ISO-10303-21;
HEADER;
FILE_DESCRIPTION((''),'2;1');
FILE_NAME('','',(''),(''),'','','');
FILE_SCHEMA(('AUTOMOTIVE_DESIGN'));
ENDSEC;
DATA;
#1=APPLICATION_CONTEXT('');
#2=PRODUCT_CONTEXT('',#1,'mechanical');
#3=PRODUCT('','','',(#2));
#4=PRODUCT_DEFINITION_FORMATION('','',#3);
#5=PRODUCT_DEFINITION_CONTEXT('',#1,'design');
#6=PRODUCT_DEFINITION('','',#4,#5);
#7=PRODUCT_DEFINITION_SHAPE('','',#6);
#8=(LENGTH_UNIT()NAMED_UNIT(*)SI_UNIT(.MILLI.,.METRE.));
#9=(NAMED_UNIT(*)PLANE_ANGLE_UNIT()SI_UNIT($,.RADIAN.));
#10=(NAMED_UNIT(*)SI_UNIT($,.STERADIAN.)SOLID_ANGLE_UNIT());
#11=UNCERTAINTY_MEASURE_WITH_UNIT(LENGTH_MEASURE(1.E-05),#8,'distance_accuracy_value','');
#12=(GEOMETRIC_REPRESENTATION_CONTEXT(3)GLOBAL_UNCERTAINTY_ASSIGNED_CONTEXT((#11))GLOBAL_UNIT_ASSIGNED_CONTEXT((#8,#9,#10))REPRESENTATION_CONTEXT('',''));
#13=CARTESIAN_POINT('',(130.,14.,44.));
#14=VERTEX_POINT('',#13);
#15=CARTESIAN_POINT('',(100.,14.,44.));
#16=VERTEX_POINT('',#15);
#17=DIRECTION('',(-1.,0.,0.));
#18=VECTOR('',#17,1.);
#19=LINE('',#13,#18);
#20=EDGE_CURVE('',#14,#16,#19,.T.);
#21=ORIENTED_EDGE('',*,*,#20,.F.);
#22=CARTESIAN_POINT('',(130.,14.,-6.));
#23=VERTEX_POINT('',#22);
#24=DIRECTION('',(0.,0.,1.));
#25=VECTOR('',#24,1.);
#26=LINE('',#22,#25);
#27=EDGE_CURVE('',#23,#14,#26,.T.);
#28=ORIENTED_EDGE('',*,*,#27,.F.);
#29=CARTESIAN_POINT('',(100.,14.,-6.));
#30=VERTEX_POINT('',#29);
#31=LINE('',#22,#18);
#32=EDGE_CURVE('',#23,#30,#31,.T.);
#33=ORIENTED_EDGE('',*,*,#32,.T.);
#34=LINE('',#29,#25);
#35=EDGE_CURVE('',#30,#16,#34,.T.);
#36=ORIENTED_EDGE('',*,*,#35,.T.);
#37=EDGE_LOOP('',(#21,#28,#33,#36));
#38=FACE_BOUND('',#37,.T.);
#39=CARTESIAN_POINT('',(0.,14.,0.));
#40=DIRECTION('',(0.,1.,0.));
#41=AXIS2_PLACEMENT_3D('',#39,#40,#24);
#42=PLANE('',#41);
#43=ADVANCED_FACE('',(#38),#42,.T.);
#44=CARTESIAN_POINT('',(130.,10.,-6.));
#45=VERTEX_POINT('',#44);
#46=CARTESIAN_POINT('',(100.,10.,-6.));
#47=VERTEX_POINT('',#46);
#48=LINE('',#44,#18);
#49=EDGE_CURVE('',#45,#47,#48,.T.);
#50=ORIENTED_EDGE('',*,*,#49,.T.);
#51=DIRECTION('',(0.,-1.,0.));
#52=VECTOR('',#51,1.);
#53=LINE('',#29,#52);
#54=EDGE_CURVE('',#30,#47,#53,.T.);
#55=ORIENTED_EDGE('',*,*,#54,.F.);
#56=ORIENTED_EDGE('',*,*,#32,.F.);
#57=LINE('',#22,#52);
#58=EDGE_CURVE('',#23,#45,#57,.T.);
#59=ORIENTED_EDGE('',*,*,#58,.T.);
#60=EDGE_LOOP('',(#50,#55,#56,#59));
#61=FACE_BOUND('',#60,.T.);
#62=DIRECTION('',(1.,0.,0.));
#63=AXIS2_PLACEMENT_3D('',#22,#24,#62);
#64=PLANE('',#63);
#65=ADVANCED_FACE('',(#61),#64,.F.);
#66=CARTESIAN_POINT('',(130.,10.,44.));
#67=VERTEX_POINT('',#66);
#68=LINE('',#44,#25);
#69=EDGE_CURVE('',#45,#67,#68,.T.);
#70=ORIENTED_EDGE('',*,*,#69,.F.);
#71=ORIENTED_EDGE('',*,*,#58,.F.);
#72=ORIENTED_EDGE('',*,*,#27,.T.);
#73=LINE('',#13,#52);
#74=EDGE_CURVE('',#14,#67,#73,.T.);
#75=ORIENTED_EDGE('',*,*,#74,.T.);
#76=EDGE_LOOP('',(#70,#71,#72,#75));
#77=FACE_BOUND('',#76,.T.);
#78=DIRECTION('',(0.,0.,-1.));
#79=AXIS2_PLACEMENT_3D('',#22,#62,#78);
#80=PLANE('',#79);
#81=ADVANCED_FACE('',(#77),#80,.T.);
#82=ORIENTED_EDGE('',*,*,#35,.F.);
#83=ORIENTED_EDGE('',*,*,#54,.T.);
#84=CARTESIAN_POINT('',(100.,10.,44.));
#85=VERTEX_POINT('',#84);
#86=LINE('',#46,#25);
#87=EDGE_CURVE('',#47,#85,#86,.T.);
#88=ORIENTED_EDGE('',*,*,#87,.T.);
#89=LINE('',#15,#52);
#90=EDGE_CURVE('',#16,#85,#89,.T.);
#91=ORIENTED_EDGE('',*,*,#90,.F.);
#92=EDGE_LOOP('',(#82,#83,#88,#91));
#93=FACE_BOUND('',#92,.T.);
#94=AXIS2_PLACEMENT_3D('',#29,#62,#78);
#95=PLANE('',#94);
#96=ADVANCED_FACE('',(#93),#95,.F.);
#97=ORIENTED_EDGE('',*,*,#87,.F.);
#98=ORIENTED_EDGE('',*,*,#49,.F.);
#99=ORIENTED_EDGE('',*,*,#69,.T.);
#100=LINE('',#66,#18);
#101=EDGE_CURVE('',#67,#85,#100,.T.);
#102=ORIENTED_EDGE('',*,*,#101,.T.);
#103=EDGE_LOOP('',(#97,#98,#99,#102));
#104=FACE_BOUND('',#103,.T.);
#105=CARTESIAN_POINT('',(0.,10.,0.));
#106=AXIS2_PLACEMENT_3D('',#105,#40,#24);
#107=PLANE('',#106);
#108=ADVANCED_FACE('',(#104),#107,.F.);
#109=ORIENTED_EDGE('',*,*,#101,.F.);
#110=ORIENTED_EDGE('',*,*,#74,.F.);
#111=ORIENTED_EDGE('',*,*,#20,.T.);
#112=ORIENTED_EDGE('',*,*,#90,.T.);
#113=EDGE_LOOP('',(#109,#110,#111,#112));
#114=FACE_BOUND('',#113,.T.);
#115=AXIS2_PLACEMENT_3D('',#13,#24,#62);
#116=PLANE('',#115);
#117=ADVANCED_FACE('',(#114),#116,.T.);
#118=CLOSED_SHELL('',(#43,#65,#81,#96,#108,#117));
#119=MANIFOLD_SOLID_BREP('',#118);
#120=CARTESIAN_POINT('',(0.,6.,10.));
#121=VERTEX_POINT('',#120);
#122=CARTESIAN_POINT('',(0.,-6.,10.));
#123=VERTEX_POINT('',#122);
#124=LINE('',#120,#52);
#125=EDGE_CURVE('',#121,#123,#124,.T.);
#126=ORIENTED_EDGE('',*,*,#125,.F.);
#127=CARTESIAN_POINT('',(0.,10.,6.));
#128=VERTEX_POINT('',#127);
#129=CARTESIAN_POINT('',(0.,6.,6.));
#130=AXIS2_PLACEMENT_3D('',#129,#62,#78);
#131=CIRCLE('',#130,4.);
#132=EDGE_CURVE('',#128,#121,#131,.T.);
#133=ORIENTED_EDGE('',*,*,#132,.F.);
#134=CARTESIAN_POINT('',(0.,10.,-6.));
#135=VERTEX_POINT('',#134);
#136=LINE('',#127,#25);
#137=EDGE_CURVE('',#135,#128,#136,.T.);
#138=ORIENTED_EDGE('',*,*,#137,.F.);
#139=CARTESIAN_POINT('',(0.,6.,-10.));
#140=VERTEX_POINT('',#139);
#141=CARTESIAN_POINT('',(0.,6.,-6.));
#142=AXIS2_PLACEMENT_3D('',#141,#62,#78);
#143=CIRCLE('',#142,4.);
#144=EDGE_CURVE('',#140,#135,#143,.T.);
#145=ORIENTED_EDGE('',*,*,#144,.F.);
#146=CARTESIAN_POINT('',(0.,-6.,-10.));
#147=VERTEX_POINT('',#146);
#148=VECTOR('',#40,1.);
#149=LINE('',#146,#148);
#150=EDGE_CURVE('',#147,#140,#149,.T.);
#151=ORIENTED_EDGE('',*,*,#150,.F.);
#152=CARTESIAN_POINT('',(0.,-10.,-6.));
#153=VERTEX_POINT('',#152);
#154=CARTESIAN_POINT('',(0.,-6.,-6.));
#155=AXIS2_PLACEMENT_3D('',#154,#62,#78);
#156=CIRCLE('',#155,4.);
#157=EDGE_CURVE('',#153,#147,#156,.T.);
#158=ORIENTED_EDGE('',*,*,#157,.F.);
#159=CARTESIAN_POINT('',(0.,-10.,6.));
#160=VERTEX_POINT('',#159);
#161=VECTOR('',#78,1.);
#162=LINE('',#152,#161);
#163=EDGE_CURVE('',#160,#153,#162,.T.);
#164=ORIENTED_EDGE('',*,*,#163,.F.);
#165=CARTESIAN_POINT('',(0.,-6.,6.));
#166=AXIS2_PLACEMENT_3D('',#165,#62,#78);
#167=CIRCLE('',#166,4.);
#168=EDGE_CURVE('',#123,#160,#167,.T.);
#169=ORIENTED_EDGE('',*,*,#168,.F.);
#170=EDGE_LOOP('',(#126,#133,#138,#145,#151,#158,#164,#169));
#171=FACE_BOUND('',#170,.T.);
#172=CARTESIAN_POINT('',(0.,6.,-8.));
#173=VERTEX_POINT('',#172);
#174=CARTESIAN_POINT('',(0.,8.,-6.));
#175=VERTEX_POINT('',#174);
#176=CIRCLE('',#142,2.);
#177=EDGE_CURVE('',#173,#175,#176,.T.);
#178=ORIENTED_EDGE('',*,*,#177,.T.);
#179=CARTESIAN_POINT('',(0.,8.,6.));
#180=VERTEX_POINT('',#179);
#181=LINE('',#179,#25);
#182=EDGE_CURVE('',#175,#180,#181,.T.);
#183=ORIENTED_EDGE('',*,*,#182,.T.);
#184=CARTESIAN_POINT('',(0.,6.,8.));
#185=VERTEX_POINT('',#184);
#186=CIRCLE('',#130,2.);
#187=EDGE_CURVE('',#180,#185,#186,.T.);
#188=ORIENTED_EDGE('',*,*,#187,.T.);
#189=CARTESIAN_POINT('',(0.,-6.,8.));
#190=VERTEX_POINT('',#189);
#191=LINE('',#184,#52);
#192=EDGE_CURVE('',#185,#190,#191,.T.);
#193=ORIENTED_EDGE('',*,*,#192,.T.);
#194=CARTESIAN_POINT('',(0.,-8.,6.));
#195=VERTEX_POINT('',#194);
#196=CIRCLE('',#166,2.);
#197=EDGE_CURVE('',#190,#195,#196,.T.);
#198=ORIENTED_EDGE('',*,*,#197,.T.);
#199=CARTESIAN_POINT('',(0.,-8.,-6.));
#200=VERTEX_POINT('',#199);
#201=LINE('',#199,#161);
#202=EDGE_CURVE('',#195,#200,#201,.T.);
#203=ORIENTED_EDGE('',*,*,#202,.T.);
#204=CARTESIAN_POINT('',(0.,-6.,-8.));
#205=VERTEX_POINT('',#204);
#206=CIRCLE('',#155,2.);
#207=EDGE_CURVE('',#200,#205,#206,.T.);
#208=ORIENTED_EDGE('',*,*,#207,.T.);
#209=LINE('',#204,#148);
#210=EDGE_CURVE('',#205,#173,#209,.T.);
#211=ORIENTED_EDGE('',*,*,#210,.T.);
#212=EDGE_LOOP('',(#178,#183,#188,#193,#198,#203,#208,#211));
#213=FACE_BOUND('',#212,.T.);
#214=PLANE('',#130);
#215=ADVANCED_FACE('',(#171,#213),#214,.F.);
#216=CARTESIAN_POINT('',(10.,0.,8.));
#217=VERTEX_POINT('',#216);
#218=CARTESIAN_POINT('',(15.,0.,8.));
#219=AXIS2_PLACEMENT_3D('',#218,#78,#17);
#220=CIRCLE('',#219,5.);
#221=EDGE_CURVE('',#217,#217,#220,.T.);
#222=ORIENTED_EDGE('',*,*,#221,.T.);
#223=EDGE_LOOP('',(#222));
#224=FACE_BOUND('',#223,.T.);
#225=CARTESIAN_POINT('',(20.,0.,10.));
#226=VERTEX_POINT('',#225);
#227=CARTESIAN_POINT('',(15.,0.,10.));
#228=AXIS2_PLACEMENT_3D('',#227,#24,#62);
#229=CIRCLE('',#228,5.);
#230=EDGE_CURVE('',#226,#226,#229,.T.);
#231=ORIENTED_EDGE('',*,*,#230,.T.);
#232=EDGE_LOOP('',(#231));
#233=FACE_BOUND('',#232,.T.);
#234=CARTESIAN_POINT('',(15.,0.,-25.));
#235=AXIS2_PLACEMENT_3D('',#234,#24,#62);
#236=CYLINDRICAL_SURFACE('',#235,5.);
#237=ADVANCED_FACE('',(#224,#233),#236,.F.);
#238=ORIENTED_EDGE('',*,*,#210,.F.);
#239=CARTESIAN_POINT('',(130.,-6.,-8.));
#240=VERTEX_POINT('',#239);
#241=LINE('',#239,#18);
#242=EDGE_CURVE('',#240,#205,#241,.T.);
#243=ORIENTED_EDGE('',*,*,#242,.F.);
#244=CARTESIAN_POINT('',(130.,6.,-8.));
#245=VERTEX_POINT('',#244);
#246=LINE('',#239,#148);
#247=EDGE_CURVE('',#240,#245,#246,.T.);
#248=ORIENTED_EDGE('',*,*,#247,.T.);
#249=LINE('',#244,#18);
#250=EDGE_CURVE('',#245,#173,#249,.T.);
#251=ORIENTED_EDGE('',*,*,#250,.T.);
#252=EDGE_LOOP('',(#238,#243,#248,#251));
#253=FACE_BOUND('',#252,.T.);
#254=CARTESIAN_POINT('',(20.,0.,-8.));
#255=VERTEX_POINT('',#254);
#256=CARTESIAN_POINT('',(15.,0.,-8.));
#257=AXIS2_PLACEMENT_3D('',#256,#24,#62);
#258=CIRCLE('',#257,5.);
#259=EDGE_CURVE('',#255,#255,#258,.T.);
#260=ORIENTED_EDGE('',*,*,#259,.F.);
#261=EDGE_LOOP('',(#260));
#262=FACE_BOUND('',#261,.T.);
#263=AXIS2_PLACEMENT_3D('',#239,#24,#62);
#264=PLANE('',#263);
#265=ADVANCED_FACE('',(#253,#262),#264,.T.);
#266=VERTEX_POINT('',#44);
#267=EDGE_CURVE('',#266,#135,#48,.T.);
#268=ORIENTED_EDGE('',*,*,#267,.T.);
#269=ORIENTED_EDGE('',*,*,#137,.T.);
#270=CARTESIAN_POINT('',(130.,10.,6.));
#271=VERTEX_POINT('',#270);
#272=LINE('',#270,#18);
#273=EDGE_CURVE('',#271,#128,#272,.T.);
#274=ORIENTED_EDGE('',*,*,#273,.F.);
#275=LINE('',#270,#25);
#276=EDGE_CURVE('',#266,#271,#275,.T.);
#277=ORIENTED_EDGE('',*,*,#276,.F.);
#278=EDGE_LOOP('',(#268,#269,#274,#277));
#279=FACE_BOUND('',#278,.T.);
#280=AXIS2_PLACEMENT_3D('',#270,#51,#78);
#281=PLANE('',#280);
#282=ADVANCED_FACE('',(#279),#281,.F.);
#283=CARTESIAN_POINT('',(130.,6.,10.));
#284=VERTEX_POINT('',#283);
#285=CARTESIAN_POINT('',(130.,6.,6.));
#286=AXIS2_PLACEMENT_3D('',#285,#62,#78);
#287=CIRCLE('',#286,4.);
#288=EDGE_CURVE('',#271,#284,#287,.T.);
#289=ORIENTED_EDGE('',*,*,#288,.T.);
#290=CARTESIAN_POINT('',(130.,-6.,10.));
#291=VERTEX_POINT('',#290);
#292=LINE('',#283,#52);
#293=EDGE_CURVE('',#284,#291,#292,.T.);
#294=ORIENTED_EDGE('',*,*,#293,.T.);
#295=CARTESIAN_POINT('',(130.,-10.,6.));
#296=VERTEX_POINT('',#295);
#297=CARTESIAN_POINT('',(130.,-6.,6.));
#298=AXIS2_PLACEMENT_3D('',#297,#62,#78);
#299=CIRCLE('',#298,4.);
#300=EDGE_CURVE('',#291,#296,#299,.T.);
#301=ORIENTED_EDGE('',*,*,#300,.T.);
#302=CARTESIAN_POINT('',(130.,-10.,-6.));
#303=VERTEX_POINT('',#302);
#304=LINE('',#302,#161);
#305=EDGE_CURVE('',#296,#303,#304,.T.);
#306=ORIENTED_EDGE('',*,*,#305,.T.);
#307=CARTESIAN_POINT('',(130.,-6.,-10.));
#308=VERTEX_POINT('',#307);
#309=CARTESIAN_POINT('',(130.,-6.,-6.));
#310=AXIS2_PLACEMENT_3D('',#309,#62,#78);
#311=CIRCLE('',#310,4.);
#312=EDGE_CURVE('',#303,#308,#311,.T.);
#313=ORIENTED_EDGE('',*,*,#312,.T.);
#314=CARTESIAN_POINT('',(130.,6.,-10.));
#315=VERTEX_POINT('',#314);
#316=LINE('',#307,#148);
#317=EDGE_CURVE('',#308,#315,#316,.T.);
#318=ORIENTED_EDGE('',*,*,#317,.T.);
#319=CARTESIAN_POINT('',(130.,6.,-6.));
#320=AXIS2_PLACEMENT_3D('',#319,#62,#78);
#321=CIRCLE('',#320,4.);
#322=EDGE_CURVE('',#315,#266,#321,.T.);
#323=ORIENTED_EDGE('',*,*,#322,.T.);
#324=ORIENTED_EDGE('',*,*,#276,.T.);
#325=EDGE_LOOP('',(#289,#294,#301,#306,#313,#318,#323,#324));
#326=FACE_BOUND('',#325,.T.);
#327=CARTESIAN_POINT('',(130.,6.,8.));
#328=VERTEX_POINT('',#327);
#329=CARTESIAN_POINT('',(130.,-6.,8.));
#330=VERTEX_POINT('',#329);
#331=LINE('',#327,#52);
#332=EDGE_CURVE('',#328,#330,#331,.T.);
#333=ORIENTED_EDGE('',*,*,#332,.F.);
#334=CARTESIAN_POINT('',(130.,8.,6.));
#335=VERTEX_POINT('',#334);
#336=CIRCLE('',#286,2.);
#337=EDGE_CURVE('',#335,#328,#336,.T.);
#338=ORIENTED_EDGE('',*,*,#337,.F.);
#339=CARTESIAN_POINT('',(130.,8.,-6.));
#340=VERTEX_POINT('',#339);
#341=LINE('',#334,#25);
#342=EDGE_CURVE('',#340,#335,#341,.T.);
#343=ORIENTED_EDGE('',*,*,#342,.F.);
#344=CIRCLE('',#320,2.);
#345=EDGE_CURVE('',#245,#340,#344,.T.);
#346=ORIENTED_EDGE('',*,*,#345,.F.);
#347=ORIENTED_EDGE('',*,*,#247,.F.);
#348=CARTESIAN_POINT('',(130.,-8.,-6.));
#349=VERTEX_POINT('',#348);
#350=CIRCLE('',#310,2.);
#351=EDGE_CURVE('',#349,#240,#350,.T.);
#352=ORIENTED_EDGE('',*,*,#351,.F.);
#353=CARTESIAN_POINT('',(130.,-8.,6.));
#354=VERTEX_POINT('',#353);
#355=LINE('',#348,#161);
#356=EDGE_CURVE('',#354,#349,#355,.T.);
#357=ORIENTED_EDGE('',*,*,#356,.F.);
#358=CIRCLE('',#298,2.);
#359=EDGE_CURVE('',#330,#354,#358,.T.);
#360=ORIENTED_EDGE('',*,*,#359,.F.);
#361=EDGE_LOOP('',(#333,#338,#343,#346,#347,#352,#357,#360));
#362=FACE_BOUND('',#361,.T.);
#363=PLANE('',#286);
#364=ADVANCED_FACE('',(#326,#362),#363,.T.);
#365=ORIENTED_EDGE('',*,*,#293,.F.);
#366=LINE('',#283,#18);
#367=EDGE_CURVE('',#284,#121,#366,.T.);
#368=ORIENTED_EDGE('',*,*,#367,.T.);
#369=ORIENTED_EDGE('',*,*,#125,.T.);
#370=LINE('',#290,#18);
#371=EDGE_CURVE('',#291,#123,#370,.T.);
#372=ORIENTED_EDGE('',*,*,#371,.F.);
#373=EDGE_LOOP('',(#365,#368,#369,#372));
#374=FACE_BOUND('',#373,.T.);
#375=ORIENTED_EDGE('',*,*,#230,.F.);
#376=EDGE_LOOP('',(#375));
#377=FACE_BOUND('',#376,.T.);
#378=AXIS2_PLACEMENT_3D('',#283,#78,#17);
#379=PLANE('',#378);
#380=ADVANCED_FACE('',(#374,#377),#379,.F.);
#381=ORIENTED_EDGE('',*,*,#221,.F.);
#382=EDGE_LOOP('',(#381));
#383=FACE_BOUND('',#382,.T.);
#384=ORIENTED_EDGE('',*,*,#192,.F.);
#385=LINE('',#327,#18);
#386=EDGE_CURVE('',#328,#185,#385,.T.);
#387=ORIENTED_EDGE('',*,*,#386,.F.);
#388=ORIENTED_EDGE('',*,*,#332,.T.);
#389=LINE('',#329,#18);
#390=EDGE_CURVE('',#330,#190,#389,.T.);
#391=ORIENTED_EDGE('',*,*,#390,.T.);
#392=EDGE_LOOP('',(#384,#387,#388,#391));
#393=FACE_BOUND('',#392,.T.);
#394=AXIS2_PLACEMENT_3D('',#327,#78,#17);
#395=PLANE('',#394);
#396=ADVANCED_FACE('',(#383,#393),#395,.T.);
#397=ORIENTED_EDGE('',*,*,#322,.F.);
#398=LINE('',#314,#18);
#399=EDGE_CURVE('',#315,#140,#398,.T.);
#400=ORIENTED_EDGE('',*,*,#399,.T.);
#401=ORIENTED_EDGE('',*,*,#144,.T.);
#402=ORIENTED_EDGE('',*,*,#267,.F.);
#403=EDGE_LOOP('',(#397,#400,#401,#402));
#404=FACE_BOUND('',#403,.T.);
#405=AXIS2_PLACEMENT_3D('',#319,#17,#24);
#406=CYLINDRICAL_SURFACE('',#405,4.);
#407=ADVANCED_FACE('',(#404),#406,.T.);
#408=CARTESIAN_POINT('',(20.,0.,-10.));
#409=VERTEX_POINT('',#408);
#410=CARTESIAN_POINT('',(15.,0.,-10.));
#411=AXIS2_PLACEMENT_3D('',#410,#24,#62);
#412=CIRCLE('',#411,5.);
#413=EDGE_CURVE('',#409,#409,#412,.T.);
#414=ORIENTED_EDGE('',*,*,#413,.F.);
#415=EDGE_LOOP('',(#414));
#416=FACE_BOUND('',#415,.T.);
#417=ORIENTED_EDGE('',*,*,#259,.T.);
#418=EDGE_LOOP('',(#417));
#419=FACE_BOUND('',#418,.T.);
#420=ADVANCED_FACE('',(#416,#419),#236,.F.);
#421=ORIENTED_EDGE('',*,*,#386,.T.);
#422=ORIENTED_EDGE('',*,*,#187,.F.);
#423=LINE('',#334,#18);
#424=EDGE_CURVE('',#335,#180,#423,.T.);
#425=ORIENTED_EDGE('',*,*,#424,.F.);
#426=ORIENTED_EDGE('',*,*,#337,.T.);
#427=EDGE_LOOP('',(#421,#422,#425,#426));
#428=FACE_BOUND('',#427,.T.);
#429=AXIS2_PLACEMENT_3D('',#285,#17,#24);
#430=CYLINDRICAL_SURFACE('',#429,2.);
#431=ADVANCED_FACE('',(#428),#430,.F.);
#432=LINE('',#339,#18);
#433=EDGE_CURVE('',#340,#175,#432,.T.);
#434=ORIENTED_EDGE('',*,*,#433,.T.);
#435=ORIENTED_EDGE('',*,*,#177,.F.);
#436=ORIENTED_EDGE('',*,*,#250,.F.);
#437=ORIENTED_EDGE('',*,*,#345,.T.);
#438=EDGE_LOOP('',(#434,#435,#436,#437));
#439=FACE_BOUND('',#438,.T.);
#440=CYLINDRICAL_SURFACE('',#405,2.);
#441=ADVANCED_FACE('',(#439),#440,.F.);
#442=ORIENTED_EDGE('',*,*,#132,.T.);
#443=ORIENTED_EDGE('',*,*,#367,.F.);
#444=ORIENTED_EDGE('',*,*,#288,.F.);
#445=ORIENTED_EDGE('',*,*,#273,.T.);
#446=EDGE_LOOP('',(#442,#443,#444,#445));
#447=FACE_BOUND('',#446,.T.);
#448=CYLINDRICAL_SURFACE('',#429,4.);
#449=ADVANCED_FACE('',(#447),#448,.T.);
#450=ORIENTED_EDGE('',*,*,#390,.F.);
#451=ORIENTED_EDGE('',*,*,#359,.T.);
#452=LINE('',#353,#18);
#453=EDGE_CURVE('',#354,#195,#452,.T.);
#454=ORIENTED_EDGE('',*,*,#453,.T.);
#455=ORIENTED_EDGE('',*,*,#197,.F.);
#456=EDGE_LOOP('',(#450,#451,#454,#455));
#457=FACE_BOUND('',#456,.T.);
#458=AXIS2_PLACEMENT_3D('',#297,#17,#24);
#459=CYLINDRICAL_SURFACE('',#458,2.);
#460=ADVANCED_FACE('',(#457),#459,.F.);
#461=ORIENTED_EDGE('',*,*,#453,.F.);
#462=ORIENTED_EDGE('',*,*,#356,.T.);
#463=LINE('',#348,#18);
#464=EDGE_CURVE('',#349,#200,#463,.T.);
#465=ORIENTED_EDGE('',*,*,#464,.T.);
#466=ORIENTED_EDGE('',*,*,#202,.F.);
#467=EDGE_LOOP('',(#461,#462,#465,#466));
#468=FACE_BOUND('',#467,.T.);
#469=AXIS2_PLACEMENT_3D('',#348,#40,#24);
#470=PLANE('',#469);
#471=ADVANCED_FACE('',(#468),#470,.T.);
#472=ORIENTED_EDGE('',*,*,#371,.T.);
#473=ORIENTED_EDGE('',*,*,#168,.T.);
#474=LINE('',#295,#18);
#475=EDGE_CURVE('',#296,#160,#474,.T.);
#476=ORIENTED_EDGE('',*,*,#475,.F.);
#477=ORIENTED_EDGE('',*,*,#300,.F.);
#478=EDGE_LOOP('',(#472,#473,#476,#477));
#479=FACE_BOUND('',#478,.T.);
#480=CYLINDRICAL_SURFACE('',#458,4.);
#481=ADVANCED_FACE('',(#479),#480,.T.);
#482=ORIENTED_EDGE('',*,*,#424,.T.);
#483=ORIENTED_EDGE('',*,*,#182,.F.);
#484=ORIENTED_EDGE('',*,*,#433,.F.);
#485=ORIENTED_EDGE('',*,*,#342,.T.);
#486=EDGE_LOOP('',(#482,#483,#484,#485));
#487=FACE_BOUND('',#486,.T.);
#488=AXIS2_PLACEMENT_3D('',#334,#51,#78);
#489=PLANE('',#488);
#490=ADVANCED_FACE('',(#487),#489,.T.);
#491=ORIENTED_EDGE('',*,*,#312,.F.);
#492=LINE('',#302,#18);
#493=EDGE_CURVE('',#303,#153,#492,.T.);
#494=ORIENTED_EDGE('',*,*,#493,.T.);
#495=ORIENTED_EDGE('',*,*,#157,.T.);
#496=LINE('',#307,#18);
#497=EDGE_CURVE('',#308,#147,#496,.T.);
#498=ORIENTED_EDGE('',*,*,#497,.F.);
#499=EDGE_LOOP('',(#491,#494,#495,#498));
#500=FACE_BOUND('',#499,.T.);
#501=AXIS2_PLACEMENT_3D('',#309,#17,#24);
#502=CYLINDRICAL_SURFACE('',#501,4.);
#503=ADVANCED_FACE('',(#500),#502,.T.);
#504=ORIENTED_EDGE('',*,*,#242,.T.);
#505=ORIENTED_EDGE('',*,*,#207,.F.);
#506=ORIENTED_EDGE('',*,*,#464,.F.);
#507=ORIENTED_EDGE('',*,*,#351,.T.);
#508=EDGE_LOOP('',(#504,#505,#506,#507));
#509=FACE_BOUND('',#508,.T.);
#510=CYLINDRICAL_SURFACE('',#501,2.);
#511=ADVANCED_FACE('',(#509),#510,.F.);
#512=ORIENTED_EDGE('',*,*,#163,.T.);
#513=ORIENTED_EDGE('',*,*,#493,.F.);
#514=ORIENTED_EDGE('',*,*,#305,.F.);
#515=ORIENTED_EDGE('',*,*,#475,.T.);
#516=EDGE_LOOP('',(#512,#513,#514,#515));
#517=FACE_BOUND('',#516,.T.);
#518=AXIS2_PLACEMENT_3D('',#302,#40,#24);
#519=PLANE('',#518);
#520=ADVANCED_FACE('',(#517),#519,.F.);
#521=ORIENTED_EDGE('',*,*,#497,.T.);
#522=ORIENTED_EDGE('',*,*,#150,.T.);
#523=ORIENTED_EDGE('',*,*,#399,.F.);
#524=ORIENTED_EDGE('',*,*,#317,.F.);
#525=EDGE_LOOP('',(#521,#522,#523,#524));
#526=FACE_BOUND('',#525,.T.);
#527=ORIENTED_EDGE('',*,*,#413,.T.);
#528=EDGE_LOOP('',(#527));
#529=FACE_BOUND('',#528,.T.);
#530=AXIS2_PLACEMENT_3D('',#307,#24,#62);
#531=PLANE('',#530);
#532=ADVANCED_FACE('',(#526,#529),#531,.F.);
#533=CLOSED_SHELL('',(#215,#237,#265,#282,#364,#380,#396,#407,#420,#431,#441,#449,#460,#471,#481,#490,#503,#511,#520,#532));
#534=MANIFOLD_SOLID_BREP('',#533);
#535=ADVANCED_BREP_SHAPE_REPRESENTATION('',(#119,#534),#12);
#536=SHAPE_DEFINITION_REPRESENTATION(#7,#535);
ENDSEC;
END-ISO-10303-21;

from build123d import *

# Parameters (mm, degrees)
STRUCTURAL_MEMBER1_DEPTH = 130
SKETCH12_R               = 5
CUT_EXTRUDE1_DEPTH       = 35
SKETCH13_W               = 30
SKETCH13_H               = 50
BOSS_EXTRUDE1_DEPTH      = 4


with BuildPart() as part:
    # Sketch11 → Structural Member1 (new body)
    with BuildSketch(Plane.YZ):
        with BuildLine():
            Line((-6, -10), (6, -10))
            ThreePointArc((6, -10), (8.828427125, -8.828427125), (10, -6))
            Line((10, -6), (10, 6))
            ThreePointArc((10, 6), (8.828427125, 8.828427125), (6, 10))
            Line((6, 10), (-6, 10))
            ThreePointArc((-6, 10), (-8.828427125, 8.828427125), (-10, 6))
            Line((-10, 6), (-10, -6))
            ThreePointArc((-10, -6), (-8.828427125, -8.828427125), (-6, -10))
        make_face()
        with BuildLine():
            Line((-6, -8), (6, -8))
            ThreePointArc((6, -8), (7.414213562, -7.414213562), (8, -6))
            Line((8, -6), (8, 6))
            ThreePointArc((8, 6), (7.414213562, 7.414213562), (6, 8))
            Line((6, 8), (-6, 8))
            ThreePointArc((-6, 8), (-7.414213562, 7.414213562), (-8, 6))
            Line((-8, 6), (-8, -6))
            ThreePointArc((-8, -6), (-7.414213562, -7.414213562), (-6, -8))
        make_face(mode=Mode.SUBTRACT)
    extrude(amount=STRUCTURAL_MEMBER1_DEPTH)

    # Sketch12 → Cut-Extrude1 (cut)
    with BuildSketch(Plane.XY.offset(10)):
        with Locations((15, 0)):
            Circle(SKETCH12_R)
    extrude(amount=-CUT_EXTRUDE1_DEPTH, mode=Mode.SUBTRACT)


with BuildPart() as body_2:
    # Sketch13 → Boss-Extrude1 (new body)
    with BuildSketch(Plane(origin=(0, 10, 0), x_dir=(1, 0, 0), z_dir=(0, 1, 0))):
        with Locations((115, -19)):
            Rectangle(SKETCH13_W, SKETCH13_H)
    extrude(amount=BOSS_EXTRUDE1_DEPTH)


solid = Compound([part.part, body_2.part])
